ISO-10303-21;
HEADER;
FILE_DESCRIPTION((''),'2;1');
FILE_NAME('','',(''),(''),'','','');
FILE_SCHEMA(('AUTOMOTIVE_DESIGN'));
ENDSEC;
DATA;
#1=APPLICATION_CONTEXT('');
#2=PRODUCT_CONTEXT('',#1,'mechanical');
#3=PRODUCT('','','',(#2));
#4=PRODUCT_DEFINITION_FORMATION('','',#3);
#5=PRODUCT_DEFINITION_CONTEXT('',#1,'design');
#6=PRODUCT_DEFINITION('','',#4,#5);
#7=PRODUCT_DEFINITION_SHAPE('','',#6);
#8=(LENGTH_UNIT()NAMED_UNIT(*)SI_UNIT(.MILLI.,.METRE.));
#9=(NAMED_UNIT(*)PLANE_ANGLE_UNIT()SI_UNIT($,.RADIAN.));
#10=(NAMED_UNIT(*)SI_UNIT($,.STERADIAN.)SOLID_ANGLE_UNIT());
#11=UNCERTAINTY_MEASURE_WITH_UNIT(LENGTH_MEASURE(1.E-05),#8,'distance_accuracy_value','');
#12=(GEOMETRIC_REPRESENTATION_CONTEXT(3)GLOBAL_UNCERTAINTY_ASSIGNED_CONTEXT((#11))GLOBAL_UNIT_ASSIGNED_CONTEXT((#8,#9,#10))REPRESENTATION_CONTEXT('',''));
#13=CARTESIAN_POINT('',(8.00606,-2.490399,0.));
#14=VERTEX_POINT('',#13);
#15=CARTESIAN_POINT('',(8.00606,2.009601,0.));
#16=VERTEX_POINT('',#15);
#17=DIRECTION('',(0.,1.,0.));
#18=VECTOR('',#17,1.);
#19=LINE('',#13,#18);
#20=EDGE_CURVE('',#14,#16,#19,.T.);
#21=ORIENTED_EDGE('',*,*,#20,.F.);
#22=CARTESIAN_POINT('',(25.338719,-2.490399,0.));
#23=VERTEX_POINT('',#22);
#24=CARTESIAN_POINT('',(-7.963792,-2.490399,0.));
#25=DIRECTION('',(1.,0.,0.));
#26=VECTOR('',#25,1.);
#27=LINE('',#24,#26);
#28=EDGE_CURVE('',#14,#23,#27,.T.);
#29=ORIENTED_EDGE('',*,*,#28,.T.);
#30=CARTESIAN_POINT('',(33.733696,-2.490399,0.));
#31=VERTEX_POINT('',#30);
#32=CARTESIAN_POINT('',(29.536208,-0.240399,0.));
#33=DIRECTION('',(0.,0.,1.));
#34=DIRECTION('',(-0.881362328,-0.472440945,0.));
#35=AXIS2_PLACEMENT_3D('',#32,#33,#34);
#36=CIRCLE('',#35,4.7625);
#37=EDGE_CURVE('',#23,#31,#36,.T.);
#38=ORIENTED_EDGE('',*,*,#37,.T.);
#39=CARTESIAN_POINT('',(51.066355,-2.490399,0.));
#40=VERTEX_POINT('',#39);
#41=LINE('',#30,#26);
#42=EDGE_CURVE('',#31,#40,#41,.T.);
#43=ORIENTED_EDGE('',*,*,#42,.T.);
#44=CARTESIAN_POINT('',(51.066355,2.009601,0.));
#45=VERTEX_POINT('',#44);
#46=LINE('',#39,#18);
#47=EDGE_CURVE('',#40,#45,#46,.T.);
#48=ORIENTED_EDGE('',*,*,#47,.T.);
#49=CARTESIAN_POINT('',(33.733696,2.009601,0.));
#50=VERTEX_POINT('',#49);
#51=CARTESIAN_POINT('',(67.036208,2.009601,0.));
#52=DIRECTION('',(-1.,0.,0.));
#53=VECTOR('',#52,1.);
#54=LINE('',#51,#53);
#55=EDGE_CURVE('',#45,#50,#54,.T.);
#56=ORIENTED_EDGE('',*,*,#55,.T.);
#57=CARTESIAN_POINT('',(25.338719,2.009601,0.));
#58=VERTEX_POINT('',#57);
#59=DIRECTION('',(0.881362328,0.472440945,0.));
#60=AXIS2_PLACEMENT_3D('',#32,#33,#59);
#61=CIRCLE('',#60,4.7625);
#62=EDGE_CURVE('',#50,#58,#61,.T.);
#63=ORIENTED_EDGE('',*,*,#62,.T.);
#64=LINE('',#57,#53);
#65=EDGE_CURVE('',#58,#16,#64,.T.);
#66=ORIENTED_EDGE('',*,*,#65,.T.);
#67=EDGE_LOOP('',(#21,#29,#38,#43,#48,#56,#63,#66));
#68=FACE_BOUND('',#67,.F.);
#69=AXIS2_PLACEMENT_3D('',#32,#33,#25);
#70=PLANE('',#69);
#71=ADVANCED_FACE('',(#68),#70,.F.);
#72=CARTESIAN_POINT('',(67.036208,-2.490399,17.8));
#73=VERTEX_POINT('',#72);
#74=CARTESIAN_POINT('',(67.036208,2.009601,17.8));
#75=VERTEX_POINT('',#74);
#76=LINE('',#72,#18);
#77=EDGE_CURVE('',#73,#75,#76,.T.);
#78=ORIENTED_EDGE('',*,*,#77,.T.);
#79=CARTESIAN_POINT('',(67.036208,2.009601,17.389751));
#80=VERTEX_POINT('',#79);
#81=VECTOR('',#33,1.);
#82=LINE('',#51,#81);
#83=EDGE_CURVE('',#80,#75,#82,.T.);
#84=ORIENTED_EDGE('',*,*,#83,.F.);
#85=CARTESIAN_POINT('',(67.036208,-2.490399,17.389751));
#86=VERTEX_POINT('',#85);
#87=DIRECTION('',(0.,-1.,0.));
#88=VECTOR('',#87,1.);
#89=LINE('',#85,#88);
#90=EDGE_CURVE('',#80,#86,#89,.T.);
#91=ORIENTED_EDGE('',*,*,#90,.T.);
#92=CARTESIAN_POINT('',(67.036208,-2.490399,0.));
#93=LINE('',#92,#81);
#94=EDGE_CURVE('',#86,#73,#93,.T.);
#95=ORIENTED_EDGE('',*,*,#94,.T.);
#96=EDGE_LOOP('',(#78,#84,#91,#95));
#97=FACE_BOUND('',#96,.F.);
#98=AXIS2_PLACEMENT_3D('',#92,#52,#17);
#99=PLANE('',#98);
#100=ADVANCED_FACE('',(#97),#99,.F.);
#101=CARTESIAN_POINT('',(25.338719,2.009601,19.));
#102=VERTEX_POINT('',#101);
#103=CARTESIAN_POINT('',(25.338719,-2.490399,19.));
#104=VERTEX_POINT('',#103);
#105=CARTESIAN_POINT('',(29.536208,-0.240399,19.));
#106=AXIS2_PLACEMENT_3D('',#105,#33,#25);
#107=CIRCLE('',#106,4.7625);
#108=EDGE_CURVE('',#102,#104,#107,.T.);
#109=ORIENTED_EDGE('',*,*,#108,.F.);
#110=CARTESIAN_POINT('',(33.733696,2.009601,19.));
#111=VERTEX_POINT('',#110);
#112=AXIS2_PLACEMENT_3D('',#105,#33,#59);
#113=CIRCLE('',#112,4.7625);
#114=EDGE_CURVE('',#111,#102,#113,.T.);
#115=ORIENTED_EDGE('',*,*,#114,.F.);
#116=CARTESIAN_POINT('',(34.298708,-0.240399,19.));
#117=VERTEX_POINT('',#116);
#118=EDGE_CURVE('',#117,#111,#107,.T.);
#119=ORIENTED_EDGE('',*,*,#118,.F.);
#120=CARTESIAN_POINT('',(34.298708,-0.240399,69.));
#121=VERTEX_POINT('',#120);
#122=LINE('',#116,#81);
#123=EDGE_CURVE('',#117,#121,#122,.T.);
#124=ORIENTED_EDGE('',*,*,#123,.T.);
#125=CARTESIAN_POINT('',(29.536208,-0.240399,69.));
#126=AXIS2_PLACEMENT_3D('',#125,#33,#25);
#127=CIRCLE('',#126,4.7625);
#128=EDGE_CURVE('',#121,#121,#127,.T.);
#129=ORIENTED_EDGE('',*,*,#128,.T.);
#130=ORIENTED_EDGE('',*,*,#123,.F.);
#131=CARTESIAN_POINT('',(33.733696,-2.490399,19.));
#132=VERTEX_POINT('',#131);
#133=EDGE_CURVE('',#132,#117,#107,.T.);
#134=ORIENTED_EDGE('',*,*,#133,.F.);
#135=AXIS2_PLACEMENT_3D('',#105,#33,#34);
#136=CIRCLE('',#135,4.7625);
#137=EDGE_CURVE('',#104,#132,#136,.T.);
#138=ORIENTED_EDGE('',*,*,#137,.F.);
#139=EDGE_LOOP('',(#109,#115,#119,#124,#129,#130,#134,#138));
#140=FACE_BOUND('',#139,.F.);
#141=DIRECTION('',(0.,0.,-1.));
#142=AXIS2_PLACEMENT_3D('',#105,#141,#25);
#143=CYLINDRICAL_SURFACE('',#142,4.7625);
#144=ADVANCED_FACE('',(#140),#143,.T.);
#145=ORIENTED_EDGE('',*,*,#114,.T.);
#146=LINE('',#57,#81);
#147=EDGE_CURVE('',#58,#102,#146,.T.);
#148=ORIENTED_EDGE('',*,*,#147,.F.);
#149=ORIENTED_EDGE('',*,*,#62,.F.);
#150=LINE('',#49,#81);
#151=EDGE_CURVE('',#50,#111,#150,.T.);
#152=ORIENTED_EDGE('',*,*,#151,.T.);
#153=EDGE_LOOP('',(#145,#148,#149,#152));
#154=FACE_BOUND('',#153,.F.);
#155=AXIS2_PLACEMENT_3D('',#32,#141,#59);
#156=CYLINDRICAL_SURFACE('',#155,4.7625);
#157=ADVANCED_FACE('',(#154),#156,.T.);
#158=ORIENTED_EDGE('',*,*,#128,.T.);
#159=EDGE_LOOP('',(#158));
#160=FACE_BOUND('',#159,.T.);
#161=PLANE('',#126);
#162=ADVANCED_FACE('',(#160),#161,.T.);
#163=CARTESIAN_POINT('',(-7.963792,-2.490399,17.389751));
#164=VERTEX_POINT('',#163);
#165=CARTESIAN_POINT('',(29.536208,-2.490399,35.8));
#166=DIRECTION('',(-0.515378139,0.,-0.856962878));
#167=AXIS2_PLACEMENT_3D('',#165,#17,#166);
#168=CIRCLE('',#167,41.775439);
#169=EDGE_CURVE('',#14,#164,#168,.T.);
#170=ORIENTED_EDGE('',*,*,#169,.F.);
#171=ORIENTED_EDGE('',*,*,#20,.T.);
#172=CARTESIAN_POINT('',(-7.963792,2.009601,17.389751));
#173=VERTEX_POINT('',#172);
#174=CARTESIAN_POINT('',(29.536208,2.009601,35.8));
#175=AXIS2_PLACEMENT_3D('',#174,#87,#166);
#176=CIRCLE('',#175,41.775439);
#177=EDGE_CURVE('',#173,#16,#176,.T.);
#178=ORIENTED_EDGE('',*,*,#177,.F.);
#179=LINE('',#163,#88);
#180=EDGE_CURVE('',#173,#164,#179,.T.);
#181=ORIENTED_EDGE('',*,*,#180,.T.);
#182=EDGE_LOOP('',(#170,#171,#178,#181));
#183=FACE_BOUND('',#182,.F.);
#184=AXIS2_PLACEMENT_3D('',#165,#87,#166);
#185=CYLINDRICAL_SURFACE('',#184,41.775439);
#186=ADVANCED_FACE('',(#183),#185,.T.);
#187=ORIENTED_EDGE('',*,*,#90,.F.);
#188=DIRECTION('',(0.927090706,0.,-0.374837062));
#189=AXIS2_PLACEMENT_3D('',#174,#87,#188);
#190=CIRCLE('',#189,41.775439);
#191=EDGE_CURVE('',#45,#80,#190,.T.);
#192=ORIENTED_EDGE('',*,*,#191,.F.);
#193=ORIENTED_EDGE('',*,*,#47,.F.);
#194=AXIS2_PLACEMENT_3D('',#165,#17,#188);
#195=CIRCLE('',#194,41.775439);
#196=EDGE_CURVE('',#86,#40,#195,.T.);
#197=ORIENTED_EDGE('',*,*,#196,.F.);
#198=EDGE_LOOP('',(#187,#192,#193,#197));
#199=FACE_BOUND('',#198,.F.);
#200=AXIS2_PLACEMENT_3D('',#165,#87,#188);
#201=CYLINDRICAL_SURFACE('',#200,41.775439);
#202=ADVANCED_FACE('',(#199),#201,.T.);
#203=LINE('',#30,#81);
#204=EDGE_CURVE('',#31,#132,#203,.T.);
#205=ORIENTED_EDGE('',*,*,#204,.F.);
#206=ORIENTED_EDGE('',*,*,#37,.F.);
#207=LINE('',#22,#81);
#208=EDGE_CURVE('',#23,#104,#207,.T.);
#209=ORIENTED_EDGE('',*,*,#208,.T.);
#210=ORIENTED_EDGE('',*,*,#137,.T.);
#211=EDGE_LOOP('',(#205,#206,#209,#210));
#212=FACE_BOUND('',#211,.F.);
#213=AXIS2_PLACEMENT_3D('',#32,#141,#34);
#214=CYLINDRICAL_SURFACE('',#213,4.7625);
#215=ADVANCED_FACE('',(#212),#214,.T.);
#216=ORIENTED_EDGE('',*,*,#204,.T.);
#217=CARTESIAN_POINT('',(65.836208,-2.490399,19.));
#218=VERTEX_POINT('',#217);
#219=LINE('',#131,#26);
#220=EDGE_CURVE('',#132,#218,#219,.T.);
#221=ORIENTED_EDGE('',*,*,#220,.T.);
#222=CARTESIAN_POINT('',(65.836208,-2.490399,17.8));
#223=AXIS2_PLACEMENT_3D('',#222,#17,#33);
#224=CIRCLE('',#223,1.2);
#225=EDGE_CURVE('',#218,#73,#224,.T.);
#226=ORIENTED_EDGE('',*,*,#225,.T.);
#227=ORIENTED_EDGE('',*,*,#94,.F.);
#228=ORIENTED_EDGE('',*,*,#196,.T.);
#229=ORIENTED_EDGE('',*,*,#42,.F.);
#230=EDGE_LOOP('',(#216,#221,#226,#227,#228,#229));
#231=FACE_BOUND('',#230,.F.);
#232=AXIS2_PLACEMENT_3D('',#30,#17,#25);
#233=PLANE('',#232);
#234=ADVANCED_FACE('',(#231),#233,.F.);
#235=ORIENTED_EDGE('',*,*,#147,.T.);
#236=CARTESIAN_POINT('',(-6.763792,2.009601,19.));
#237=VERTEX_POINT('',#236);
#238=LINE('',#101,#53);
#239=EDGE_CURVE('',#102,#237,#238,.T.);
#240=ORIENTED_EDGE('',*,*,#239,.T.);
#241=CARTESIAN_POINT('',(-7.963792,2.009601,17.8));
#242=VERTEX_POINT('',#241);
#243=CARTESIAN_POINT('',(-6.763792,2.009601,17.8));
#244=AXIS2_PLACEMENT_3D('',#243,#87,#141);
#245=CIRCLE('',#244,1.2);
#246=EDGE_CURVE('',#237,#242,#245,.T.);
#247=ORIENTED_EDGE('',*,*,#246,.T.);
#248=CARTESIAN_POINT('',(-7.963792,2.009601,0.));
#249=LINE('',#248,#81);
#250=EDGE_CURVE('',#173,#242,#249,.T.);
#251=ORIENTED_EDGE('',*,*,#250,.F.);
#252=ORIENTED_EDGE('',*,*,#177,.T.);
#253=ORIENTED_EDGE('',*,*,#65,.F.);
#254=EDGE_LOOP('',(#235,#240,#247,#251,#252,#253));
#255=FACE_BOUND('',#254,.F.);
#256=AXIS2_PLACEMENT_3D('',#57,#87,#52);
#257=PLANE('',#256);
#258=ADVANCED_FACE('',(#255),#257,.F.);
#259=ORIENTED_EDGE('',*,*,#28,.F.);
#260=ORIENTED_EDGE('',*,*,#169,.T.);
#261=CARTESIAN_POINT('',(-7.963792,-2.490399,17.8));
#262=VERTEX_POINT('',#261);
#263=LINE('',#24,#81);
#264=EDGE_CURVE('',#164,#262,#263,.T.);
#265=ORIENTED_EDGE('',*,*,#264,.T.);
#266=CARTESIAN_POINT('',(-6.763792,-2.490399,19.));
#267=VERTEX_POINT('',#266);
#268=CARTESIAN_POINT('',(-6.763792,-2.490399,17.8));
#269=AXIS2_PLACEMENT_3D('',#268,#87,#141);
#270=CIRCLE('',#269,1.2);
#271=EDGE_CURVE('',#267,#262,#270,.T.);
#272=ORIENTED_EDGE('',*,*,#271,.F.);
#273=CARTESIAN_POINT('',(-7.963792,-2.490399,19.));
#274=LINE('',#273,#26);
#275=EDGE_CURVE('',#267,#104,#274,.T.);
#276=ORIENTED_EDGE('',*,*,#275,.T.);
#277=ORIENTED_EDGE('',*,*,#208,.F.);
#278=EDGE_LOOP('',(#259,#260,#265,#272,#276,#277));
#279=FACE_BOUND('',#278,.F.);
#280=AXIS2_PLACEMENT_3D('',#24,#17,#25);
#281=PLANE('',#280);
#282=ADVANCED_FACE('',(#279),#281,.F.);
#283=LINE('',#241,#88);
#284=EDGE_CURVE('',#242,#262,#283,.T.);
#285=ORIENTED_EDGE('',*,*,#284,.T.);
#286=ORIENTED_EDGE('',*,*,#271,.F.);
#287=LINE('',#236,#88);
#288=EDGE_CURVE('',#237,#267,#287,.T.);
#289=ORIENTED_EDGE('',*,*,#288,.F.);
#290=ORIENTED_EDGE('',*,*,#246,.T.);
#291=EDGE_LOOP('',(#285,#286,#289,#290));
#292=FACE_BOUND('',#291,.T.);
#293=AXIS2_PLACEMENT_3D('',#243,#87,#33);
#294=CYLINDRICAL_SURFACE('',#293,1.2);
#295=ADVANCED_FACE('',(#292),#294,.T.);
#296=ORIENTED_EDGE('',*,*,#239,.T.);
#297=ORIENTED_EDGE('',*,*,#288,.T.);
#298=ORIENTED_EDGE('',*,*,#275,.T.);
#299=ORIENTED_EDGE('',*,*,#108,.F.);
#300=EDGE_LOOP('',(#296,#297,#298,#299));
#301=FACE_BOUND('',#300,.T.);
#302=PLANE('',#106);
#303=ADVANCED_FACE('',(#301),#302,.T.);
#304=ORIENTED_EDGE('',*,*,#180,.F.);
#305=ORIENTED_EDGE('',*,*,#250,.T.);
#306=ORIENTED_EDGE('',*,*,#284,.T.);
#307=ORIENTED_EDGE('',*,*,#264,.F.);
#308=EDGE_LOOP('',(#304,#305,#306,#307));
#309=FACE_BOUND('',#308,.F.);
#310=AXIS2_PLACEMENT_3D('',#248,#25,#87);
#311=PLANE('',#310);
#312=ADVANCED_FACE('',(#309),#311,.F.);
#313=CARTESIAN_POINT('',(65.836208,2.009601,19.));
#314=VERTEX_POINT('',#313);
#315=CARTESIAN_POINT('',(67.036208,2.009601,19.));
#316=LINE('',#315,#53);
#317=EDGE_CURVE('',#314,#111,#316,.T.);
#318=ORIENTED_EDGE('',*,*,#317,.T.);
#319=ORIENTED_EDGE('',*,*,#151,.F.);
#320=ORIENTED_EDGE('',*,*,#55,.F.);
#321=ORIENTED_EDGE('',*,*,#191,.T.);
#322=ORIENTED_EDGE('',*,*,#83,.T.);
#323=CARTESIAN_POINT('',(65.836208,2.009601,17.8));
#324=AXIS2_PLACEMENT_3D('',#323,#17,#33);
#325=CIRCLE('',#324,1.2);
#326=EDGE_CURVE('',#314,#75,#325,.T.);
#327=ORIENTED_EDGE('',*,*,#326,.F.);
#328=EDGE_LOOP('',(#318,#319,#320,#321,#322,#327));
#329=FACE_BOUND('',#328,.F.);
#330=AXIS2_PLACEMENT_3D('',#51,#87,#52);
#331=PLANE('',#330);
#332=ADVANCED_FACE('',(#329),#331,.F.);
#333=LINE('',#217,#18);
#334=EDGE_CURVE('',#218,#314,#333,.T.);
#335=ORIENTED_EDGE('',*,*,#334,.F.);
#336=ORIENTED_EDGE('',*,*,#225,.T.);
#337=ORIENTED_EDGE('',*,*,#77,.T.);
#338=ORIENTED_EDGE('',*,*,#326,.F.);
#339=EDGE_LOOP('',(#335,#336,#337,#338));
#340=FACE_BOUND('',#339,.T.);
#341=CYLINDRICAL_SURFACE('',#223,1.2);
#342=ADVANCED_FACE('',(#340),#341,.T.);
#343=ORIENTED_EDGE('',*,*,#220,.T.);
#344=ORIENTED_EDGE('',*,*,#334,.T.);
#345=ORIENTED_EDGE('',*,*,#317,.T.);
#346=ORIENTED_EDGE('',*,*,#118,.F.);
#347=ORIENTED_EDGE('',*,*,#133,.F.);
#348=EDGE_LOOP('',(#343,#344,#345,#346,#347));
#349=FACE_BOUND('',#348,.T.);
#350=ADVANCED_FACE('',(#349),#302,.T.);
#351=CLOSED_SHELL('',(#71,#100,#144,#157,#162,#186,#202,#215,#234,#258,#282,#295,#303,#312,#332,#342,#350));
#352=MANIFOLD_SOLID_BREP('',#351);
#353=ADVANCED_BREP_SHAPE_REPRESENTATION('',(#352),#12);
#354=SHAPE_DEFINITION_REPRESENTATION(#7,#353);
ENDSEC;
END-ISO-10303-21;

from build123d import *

# Parameters (mm, degrees)
F1_DEPTH = 19
F2_R     = 4.7625
F3_DEPTH = 50
F5_DEPTH = 7.0135
F6_R     = 1.2


with BuildPart() as f1:
    # F0 (on Top) → F1 (new body)
    with BuildSketch(Plane.XY):
        with BuildLine():
            Line((25.3387194722, 2.0096014291), (-7.9637924397, 2.0096014291))
            Line((-7.9637924397, 2.0096014291), (-7.9637924397, -2.4903985709))
            Line((-7.9637924397, -2.4903985709), (25.3387194722, -2.4903985709))
            ThreePointArc((25.3387194722, -2.4903985709), (29.5362075603, -5.0028985709), (33.7336956484, -2.4903985709))
            Line((33.7336956484, -2.4903985709), (67.0362075603, -2.4903985709))
            Line((67.0362075603, -2.4903985709), (67.0362075603, 2.0096014291))
            Line((67.0362075603, 2.0096014291), (33.7336956484, 2.0096014291))
            ThreePointArc((33.7336956484, 2.0096014291), (29.5362075603, 4.5221014291), (25.3387194722, 2.0096014291))
        make_face()
    extrude(amount=F1_DEPTH)

    # F2 (on face) → F3 (join)
    with BuildSketch(Plane.XY.offset(19)):
        with Locations((29.5362075603, -0.2403985709)):
            Circle(F2_R)
    extrude(amount=F3_DEPTH)

    # F4 (on face) → F5 (cut, through all)
    with BuildSketch(Plane.XZ.offset(2.4903985709)):
        with BuildLine():
            ThreePointArc((68.2658283432, 20.1410173709), (61.3045105, 8.6713769002), (51.0663553295, 0))
            Line((51.0663553295, 0), (68.7501132488, 0))
            Line((68.7501132488, 0), (68.2658283432, 20.1410173709))
        make_face()
        with BuildLine():
            ThreePointArc((8.0060597912, 0), (-2.1784408901, 8.6086716648), (-9.1312425211, 19.9881194299))
            Line((-9.1312425211, 19.9881194299), (-9.1312425211, 0))
            Line((-9.1312425211, 0), (8.0060597912, 0))
        make_face()
    extrude(amount=-F5_DEPTH, mode=Mode.SUBTRACT)

    # F6
    f6_edges = [f1.edges().sort_by_distance(p)[0] for p in [
        (67.036208, -0.240399, 19),
        (-7.963792, -0.240399, 19),
    ]]
    fillet(f6_edges, radius=F6_R)


solid = f1.part
